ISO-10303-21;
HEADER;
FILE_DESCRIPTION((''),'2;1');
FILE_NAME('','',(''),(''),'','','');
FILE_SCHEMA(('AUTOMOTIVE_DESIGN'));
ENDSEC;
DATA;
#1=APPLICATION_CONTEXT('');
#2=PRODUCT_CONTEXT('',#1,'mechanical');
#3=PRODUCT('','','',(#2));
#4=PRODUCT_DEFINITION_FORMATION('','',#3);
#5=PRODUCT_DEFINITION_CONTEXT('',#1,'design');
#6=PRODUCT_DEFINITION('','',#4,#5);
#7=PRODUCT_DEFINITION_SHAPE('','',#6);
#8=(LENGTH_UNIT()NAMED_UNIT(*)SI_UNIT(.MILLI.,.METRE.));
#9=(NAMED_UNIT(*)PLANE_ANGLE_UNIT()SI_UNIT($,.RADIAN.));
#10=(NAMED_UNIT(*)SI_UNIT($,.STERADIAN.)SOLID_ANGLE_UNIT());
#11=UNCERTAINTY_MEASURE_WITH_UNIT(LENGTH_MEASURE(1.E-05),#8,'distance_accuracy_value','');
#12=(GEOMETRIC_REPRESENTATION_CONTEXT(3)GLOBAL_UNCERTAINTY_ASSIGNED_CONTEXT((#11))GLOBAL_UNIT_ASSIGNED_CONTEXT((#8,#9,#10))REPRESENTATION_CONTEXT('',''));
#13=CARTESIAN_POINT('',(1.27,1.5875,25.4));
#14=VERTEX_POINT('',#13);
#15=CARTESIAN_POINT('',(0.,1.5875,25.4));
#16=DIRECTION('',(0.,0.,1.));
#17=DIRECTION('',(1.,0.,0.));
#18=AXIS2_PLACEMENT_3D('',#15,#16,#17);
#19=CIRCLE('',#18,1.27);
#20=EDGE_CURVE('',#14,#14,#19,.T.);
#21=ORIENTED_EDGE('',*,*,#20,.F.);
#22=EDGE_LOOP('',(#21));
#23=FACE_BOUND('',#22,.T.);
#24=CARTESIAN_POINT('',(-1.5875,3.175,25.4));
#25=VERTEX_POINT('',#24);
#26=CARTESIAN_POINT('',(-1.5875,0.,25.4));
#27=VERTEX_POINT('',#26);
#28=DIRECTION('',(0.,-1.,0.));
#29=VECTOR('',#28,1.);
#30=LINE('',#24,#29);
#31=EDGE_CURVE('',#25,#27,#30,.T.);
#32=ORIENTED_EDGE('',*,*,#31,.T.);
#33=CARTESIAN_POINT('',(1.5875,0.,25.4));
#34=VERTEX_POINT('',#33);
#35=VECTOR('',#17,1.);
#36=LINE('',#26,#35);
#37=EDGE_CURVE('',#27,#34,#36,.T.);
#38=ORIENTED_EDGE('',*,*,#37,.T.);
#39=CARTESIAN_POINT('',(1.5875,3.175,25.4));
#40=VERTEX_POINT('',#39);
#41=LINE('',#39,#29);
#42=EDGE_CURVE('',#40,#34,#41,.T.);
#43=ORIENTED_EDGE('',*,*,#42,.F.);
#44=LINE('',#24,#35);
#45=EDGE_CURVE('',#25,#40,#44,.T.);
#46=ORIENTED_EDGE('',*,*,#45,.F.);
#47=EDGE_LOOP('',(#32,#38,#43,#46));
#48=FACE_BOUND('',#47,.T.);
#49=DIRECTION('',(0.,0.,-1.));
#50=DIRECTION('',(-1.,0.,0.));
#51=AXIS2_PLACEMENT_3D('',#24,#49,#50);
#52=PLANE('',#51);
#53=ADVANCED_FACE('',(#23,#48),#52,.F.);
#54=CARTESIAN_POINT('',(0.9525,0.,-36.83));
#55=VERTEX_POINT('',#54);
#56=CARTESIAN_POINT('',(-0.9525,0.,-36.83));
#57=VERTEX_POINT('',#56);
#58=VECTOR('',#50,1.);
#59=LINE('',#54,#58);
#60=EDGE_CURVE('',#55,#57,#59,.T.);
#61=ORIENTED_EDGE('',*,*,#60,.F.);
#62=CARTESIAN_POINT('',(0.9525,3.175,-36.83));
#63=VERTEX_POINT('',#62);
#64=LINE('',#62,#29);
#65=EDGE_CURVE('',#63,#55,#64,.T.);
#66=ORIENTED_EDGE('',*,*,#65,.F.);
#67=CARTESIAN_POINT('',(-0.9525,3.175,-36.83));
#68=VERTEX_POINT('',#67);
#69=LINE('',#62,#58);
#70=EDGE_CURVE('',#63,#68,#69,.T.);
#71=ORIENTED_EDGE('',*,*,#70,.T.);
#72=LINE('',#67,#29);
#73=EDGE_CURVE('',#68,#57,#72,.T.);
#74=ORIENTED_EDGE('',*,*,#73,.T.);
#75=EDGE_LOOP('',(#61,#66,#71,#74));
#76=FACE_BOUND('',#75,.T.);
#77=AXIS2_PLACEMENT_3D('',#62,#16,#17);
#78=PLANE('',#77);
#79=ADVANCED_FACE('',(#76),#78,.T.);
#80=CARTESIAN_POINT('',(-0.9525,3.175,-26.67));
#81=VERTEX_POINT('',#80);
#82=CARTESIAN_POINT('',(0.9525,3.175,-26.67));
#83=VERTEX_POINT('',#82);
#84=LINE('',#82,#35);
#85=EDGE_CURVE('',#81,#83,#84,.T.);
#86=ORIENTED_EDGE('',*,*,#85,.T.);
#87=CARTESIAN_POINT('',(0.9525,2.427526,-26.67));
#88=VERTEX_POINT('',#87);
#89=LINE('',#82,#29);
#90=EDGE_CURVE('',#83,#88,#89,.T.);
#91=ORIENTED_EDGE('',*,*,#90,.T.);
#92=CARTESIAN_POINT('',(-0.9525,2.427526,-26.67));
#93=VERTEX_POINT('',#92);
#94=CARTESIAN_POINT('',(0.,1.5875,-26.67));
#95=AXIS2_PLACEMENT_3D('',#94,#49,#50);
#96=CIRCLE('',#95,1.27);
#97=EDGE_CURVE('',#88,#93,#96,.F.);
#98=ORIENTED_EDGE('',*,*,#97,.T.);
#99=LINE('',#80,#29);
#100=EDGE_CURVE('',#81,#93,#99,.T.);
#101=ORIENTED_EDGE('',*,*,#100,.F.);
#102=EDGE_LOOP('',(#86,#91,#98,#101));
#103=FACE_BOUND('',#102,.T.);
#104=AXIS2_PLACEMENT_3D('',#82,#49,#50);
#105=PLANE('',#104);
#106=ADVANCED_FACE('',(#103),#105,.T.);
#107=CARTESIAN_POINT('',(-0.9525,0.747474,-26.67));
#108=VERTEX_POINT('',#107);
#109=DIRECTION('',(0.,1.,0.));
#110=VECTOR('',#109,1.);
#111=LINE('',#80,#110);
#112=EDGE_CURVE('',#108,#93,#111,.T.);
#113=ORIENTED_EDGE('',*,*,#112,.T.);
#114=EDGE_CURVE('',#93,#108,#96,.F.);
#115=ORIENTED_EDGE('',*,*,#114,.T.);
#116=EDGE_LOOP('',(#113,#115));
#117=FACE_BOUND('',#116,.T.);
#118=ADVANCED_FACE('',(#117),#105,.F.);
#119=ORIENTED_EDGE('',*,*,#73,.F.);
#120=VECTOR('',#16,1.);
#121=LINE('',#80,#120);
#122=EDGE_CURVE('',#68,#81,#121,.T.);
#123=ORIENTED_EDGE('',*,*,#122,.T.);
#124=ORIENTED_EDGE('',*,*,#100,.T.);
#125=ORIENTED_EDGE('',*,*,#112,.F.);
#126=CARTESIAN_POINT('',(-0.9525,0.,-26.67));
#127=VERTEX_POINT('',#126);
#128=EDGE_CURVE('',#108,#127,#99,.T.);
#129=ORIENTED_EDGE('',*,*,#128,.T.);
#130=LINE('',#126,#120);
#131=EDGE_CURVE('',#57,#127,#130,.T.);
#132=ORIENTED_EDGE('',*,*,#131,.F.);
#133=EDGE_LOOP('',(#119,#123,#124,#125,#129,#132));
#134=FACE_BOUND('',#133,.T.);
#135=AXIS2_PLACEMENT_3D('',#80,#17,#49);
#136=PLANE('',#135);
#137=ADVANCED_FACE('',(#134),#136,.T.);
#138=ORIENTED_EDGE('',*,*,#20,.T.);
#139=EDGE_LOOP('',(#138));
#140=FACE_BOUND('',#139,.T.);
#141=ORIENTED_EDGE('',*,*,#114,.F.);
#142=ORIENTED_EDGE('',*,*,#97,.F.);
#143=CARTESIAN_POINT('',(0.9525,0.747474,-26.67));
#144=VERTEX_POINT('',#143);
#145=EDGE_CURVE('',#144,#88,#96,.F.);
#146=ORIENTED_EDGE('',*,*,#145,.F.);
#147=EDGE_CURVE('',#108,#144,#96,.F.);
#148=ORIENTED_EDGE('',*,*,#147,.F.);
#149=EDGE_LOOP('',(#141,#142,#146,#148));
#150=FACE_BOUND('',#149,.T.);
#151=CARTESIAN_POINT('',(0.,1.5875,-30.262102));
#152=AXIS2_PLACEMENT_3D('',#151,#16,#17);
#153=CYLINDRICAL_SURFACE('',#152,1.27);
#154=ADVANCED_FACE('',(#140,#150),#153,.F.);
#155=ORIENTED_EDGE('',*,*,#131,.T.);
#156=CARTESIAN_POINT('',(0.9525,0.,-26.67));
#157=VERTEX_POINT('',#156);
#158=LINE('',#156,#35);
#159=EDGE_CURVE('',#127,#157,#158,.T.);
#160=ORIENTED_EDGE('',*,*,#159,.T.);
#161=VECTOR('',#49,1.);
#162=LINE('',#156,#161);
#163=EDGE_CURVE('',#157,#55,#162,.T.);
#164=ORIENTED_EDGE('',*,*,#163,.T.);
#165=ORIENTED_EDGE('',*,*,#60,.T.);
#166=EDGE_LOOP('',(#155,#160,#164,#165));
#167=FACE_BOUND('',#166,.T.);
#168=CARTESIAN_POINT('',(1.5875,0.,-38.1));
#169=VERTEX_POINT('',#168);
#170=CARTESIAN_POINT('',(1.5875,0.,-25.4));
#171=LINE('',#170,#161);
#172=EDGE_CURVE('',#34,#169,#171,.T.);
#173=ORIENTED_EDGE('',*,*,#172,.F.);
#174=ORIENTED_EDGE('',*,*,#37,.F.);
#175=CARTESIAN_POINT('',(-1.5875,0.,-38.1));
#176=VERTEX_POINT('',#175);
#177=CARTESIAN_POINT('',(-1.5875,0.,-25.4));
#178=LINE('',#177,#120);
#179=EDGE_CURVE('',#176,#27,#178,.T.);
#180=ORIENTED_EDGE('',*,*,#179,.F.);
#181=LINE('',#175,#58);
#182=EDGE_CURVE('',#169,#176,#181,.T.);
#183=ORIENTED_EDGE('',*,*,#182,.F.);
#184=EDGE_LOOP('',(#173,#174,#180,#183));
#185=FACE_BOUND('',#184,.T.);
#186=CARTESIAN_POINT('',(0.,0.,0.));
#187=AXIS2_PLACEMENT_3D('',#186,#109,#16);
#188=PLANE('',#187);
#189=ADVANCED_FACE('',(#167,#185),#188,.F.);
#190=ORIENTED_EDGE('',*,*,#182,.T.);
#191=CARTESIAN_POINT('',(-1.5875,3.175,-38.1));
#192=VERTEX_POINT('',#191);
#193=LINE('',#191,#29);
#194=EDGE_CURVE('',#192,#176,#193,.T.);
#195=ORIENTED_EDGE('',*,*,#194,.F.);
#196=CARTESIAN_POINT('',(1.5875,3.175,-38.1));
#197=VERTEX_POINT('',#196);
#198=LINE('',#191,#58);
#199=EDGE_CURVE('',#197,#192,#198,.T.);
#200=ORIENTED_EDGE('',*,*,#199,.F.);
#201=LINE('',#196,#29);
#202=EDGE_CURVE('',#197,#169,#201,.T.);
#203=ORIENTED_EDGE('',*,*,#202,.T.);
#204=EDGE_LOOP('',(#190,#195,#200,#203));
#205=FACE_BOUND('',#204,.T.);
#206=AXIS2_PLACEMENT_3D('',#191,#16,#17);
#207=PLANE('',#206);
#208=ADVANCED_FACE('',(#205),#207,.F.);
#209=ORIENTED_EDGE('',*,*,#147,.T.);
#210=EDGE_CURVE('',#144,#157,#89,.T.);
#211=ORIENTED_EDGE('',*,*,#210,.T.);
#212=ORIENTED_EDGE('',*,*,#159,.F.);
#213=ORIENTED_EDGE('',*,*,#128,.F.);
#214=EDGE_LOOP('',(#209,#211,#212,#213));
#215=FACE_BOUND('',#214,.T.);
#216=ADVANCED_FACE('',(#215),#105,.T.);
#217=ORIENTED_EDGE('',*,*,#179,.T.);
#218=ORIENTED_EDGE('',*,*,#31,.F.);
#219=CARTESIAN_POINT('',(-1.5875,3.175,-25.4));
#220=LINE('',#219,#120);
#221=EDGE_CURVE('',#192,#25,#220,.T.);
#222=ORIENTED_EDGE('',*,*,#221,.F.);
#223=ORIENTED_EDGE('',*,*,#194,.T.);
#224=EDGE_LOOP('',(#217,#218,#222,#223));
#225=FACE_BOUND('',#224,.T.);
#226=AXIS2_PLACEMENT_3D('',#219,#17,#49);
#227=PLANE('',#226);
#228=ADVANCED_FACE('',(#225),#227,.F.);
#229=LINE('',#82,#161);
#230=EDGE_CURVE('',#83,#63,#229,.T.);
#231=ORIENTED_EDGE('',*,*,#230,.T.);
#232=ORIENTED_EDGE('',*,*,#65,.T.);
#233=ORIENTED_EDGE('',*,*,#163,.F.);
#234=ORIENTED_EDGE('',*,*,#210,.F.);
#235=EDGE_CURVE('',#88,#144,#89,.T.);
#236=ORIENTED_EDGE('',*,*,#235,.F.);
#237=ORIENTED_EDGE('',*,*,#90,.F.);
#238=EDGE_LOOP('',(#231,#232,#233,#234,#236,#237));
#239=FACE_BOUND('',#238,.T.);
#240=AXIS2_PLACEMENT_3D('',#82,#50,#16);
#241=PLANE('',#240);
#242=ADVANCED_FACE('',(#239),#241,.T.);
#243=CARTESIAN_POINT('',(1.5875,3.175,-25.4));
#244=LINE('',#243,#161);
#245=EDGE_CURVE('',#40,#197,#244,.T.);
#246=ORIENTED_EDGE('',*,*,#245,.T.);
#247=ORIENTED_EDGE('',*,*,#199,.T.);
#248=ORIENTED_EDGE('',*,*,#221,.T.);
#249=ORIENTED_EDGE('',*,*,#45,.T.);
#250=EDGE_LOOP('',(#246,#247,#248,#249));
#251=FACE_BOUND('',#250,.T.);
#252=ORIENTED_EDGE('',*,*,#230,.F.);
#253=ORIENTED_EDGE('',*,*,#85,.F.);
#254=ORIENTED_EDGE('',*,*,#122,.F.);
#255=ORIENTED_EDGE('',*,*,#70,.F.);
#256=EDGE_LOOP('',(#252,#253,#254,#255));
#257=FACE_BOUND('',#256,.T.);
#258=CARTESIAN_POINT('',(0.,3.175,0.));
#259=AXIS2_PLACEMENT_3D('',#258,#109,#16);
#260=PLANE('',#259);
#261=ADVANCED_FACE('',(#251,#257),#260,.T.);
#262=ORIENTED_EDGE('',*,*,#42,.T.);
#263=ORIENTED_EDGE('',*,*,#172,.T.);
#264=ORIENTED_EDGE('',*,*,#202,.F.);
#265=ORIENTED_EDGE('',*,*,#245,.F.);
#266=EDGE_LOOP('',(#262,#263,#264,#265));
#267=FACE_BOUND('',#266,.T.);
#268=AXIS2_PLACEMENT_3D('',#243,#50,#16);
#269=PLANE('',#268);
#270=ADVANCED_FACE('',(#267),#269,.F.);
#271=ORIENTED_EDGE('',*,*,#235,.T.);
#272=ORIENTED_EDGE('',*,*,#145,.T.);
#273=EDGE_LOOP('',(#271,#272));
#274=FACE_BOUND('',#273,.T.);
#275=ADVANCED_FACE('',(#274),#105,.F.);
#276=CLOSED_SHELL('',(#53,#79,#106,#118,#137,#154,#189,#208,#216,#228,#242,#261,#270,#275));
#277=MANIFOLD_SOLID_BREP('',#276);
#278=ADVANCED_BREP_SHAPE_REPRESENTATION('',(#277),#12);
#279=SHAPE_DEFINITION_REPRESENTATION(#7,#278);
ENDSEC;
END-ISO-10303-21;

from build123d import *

# Parameters (mm, degrees)
SKETCH1_W           = 1.905
SKETCH1_H           = 10.16
BOSS_EXTRUDE2_DEPTH = 3.175
SKETCH2_R           = 1.27
CUT_EXTRUDE1_DEPTH  = 52.07


with BuildPart() as part:
    # Sketch1 → Boss-Extrude2 (new body)
    with BuildSketch(Plane(origin=(0, 0, 0), x_dir=(1, 0, 0), z_dir=(0, 1, 0))):
        Polygon((-1.5875, 25.4), (-1.5875, -25.4), (1.5875, -25.4), (1.5875, 25.4), (1.5875, 38.1), (-1.5875, 38.1), align=None)
        with Locations((0, 31.75)):
            Rectangle(SKETCH1_W, SKETCH1_H, mode=Mode.SUBTRACT)
    extrude(amount=BOSS_EXTRUDE2_DEPTH)

    # Sketch2 → Cut-Extrude1 (cut)
    with BuildSketch(Plane.XY.offset(25.4)):
        with Locations((0, 1.5875)):
            Circle(SKETCH2_R)
    extrude(amount=-CUT_EXTRUDE1_DEPTH, mode=Mode.SUBTRACT)


solid = part.part
